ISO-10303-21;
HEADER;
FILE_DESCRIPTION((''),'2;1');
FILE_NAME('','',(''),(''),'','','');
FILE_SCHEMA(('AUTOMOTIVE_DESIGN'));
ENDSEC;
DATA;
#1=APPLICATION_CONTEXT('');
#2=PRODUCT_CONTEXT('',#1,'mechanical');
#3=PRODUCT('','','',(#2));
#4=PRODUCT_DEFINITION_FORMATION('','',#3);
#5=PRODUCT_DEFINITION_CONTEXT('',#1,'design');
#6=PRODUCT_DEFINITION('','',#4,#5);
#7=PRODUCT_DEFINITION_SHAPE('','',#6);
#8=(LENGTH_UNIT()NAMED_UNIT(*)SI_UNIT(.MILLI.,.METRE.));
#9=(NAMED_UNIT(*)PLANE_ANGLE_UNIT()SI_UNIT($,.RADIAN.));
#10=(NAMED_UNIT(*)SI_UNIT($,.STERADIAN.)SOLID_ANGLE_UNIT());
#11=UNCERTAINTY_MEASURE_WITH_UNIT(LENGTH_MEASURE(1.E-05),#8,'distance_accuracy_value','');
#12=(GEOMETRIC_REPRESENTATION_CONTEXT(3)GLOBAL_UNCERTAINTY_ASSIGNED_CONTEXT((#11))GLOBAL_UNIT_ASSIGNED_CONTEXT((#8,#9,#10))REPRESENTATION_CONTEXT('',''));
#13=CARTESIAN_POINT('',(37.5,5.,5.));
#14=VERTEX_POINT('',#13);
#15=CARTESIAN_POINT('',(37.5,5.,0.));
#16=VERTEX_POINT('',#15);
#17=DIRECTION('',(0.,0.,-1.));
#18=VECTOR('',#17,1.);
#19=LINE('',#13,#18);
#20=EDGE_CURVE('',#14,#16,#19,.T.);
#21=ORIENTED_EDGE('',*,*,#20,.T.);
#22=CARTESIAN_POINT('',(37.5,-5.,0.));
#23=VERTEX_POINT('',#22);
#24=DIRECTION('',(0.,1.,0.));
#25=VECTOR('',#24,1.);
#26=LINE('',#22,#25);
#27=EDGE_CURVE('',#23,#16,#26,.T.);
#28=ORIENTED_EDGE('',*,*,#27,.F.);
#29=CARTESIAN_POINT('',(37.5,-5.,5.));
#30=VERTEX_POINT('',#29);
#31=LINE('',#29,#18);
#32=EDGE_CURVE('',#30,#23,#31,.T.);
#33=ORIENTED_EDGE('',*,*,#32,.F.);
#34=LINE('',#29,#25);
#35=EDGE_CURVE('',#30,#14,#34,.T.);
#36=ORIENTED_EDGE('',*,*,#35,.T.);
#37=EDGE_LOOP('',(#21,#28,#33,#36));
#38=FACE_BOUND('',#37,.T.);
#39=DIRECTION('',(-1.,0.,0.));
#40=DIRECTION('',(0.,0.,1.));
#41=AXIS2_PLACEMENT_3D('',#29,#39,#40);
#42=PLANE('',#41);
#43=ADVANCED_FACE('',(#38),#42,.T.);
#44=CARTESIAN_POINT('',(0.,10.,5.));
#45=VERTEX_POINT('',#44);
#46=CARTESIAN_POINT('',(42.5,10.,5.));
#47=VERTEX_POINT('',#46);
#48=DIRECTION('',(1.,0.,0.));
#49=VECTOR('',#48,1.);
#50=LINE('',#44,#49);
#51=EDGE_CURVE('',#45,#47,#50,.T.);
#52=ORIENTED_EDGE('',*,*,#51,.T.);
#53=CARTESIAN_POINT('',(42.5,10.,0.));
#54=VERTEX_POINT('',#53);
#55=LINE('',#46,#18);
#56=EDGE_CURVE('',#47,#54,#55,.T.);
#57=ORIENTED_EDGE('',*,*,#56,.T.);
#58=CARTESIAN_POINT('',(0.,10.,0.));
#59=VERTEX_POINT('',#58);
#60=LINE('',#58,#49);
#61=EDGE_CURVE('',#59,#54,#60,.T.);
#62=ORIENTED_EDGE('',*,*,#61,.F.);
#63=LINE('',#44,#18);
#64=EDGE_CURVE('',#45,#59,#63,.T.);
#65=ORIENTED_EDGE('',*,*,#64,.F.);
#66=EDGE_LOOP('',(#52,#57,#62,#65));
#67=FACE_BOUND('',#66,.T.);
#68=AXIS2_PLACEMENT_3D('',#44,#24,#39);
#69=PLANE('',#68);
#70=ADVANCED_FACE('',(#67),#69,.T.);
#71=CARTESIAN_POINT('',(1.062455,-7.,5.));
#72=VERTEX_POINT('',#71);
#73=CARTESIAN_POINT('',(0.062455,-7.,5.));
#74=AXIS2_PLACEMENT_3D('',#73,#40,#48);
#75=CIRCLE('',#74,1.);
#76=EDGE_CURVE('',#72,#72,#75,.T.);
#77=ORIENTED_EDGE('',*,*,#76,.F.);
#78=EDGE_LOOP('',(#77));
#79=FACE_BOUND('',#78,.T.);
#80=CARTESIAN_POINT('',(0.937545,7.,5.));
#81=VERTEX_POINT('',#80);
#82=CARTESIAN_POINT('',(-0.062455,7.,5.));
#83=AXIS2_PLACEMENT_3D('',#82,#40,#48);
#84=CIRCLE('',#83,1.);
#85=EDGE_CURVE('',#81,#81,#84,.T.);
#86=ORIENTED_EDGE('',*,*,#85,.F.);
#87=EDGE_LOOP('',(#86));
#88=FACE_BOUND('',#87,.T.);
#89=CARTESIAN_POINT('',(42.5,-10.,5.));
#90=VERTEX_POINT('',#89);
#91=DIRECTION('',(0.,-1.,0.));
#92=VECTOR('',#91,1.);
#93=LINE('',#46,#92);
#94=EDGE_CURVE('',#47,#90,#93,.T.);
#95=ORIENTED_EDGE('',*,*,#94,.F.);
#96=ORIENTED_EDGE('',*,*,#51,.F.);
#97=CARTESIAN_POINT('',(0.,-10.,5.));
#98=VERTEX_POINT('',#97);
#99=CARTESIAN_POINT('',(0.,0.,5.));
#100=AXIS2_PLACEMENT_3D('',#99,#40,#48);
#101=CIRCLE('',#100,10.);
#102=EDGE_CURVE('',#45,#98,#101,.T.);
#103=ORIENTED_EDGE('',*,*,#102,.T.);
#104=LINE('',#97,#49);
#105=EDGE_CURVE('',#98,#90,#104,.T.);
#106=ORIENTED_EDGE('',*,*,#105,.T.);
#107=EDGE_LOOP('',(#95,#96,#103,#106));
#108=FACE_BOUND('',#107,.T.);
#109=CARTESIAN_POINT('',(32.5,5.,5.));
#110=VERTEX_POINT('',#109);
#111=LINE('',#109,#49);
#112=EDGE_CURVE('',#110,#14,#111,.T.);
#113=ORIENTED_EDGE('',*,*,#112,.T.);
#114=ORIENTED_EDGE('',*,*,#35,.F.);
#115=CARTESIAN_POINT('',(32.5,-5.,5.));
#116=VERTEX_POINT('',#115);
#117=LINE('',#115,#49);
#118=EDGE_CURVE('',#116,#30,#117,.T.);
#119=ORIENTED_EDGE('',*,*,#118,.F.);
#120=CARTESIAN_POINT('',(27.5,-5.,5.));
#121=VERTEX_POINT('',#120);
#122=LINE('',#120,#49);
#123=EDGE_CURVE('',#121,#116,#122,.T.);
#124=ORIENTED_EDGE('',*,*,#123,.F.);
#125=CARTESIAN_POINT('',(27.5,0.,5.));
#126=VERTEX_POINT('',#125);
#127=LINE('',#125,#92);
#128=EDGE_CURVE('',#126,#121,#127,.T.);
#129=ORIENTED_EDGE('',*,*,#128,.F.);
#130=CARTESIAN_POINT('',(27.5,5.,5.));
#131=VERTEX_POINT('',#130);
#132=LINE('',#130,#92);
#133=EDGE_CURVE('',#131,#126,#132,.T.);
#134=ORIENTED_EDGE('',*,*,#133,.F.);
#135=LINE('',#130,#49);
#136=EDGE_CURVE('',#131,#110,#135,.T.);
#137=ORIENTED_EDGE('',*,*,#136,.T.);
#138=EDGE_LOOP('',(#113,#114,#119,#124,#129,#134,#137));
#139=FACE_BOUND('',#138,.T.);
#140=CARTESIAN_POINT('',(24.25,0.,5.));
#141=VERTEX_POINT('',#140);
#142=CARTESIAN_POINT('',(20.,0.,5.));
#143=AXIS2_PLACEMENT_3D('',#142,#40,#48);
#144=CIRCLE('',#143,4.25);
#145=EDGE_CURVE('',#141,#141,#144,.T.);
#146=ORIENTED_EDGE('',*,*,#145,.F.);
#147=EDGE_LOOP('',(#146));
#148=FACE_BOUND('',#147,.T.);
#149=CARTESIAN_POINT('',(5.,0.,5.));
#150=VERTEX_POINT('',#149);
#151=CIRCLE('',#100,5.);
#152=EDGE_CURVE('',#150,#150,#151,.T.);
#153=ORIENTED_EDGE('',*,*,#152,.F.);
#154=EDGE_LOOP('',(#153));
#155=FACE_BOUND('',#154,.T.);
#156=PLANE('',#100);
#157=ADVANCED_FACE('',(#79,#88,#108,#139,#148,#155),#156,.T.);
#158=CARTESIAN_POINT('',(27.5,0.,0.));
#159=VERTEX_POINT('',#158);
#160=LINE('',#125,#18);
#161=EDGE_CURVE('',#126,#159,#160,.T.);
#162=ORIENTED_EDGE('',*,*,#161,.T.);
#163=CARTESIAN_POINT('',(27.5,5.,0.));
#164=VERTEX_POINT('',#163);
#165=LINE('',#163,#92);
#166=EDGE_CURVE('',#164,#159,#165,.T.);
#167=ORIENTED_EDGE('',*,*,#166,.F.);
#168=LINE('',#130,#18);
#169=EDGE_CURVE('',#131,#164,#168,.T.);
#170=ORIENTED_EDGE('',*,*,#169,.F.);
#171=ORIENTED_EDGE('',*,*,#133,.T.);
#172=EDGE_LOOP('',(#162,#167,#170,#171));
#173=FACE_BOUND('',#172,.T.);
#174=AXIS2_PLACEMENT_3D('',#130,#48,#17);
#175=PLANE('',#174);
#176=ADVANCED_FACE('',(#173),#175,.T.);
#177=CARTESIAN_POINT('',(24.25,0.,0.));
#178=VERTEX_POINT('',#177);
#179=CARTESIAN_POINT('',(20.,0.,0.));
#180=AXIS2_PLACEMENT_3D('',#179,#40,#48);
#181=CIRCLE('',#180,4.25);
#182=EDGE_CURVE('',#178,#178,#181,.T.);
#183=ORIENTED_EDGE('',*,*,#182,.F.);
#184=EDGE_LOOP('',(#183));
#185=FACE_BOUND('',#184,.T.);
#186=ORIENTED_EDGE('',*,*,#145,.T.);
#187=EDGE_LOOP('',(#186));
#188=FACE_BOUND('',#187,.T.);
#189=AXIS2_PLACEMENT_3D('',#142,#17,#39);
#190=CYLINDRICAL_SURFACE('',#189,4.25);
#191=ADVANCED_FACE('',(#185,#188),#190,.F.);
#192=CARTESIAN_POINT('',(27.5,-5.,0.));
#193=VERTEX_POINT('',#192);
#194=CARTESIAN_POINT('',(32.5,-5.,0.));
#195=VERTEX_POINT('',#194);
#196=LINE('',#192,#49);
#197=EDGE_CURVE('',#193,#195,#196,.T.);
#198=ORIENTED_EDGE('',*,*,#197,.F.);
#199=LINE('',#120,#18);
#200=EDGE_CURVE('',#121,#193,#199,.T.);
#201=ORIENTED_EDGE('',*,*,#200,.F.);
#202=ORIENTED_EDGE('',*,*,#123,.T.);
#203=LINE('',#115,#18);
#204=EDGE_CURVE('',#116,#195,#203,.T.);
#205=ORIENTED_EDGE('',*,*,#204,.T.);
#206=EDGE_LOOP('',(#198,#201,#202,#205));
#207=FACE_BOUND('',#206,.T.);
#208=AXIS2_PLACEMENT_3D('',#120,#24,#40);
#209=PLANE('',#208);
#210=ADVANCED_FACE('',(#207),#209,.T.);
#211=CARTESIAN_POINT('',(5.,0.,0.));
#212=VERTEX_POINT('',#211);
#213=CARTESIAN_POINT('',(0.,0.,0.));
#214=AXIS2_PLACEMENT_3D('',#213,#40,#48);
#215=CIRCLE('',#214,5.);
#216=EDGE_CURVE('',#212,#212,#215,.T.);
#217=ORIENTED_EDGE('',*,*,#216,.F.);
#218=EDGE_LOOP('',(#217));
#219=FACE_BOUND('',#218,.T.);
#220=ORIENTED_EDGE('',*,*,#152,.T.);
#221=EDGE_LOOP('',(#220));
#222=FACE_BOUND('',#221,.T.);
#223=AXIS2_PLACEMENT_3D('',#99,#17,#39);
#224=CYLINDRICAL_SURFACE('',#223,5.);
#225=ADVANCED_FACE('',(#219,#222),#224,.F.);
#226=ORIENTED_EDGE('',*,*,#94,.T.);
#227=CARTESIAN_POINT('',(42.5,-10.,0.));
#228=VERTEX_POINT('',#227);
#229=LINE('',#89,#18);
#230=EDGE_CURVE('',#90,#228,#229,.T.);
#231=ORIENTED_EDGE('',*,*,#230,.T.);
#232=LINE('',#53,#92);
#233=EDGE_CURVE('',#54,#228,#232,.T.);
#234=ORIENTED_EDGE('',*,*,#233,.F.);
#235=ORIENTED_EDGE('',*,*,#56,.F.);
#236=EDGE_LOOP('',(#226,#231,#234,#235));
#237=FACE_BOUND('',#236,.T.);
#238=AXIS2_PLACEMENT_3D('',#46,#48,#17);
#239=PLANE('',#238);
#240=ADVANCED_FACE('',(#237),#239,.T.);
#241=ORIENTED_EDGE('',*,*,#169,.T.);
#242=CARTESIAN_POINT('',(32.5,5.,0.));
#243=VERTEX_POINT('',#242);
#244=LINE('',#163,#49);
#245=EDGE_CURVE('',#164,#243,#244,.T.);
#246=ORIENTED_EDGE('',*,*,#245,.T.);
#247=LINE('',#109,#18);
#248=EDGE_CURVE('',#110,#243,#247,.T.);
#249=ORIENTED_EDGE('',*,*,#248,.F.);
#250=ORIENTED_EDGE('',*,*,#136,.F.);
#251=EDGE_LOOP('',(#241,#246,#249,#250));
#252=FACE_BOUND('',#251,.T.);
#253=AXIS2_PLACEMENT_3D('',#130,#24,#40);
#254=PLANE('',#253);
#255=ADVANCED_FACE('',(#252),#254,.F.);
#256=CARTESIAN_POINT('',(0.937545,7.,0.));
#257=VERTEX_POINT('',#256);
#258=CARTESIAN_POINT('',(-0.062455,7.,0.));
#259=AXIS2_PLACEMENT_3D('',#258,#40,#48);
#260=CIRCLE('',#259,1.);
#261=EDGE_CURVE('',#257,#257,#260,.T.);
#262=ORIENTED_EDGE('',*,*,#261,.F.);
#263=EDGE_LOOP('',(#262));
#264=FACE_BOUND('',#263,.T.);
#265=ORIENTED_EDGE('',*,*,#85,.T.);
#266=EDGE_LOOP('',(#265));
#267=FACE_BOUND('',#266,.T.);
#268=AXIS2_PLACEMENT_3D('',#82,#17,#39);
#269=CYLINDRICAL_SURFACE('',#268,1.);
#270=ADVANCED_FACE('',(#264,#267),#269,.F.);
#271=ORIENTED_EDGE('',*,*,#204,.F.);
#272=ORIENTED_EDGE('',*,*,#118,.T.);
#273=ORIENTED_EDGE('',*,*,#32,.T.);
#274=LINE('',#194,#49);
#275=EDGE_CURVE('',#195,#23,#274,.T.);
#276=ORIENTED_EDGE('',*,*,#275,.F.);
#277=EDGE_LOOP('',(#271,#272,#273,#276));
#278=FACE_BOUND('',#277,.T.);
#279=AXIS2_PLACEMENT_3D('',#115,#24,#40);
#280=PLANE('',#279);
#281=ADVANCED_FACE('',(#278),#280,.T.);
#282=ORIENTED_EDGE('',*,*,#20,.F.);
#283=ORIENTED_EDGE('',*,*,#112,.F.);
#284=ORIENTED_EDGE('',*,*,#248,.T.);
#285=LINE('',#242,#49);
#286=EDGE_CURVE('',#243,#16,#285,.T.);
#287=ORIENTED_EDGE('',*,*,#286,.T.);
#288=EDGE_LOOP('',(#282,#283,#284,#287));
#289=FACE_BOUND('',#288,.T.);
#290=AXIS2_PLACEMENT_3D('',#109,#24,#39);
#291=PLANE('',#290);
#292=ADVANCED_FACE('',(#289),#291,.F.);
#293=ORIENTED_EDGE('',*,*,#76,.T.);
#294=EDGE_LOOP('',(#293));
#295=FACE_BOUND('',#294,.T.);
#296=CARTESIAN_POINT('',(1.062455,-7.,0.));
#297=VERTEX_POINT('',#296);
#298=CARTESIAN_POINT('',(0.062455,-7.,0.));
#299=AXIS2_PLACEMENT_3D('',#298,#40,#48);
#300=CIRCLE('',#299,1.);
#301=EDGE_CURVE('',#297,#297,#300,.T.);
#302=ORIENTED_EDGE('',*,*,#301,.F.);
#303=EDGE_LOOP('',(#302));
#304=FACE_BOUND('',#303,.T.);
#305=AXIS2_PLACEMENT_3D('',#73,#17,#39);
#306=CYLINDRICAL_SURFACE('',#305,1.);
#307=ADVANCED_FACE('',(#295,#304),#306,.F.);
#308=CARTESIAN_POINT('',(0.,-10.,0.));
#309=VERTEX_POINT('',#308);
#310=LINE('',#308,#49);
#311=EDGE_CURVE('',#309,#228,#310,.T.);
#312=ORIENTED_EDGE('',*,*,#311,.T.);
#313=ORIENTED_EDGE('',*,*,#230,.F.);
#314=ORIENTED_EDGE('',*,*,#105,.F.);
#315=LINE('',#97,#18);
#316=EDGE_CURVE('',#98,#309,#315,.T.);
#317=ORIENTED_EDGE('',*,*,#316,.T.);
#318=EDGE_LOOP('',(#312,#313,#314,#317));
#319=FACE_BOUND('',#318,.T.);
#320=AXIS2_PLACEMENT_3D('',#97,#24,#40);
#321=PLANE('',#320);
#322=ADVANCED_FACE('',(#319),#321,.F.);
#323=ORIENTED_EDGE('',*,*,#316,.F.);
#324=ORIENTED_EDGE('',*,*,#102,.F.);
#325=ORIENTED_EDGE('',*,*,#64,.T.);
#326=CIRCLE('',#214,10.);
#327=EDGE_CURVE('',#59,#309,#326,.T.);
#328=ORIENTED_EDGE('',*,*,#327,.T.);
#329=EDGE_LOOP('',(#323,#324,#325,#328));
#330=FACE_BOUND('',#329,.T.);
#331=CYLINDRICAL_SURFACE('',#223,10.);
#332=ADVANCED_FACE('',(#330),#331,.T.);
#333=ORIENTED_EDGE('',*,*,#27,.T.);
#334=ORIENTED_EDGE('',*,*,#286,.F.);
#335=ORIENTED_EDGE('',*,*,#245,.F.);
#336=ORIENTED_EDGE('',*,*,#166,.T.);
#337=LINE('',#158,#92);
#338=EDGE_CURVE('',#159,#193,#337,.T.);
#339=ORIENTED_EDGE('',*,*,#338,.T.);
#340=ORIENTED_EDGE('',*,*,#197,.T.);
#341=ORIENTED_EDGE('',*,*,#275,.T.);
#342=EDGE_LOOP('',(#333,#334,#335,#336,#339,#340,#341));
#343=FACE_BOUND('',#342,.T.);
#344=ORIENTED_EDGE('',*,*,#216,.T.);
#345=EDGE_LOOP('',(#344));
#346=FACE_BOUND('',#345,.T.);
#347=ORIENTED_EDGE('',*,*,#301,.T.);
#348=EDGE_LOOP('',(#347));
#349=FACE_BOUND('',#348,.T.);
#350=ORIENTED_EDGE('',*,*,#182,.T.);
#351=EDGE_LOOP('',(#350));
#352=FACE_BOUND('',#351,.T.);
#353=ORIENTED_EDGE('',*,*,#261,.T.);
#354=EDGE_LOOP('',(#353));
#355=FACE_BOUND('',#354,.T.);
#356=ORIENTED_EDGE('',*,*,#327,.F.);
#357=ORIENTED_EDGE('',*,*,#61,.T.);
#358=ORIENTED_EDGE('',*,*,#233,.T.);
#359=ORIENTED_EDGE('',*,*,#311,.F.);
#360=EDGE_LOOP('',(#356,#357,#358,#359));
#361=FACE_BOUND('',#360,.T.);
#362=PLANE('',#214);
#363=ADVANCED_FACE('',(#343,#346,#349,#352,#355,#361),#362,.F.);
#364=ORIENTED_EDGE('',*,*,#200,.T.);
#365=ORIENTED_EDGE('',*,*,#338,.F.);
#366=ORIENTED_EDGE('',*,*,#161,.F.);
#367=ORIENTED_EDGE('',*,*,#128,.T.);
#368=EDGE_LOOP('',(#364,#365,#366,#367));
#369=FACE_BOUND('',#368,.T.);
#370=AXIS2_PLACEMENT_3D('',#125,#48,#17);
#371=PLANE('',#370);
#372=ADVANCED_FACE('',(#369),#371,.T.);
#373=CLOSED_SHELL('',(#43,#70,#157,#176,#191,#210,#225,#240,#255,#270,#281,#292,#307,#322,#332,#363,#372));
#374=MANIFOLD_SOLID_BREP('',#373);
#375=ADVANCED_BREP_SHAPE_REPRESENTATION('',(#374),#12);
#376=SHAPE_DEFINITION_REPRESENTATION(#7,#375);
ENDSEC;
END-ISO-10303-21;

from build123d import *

# Parameters (mm, degrees)
SKETCH1_R           = 4.25
SKETCH1_R_2         = 5
SKETCH1_R_3         = 1
BOSS_EXTRUDE1_DEPTH = 5
SKETCH2_R           = 1
SKETCH2_R_2         = 1.224011965
BOSS_EXTRUDE2_DEPTH = 5


with BuildPart() as part:
    # Sketch1 → Boss-Extrude1 (new body)
    with BuildSketch(Plane.XY):
        with BuildLine():
            Line((0, 10), (42.5, 10))
            Line((42.5, 10), (42.5, -10))
            Line((42.5, -10), (0, -10))
            ThreePointArc((0, -10), (-10, 0), (0, 10))
        make_face()
        with Locations((20, 0)):
            Circle(SKETCH1_R, mode=Mode.SUBTRACT)
        Circle(SKETCH1_R_2, mode=Mode.SUBTRACT)
        with Locations((7, 0.062454575)):
            Circle(SKETCH1_R_3, mode=Mode.SUBTRACT)
        with Locations((0.062454575, -7)):
            Circle(SKETCH1_R_3, mode=Mode.SUBTRACT)
        with Locations((-7, -0.062454575)):
            Circle(SKETCH1_R_3, mode=Mode.SUBTRACT)
        with Locations((-0.062454575, 7)):
            Circle(SKETCH1_R_3, mode=Mode.SUBTRACT)
        Polygon((27.5, 5), (32.5, 5), (37.5, 5), (37.5, -5), (32.5, -5), (27.5, -5), (27.5, 0), align=None, mode=Mode.SUBTRACT)
    extrude(amount=BOSS_EXTRUDE1_DEPTH)

    # Sketch2 → Boss-Extrude2 (add)
    with BuildSketch(Plane(origin=(0, 0, 0), x_dir=(-1, 0, 0), z_dir=(0, 0, -1))):
        with Locations((7, -0.062454575)):
            Circle(SKETCH2_R)
        with Locations((-7, 0.062454575)):
            Circle(SKETCH2_R_2)
    extrude(amount=-BOSS_EXTRUDE2_DEPTH)


solid = part.part
